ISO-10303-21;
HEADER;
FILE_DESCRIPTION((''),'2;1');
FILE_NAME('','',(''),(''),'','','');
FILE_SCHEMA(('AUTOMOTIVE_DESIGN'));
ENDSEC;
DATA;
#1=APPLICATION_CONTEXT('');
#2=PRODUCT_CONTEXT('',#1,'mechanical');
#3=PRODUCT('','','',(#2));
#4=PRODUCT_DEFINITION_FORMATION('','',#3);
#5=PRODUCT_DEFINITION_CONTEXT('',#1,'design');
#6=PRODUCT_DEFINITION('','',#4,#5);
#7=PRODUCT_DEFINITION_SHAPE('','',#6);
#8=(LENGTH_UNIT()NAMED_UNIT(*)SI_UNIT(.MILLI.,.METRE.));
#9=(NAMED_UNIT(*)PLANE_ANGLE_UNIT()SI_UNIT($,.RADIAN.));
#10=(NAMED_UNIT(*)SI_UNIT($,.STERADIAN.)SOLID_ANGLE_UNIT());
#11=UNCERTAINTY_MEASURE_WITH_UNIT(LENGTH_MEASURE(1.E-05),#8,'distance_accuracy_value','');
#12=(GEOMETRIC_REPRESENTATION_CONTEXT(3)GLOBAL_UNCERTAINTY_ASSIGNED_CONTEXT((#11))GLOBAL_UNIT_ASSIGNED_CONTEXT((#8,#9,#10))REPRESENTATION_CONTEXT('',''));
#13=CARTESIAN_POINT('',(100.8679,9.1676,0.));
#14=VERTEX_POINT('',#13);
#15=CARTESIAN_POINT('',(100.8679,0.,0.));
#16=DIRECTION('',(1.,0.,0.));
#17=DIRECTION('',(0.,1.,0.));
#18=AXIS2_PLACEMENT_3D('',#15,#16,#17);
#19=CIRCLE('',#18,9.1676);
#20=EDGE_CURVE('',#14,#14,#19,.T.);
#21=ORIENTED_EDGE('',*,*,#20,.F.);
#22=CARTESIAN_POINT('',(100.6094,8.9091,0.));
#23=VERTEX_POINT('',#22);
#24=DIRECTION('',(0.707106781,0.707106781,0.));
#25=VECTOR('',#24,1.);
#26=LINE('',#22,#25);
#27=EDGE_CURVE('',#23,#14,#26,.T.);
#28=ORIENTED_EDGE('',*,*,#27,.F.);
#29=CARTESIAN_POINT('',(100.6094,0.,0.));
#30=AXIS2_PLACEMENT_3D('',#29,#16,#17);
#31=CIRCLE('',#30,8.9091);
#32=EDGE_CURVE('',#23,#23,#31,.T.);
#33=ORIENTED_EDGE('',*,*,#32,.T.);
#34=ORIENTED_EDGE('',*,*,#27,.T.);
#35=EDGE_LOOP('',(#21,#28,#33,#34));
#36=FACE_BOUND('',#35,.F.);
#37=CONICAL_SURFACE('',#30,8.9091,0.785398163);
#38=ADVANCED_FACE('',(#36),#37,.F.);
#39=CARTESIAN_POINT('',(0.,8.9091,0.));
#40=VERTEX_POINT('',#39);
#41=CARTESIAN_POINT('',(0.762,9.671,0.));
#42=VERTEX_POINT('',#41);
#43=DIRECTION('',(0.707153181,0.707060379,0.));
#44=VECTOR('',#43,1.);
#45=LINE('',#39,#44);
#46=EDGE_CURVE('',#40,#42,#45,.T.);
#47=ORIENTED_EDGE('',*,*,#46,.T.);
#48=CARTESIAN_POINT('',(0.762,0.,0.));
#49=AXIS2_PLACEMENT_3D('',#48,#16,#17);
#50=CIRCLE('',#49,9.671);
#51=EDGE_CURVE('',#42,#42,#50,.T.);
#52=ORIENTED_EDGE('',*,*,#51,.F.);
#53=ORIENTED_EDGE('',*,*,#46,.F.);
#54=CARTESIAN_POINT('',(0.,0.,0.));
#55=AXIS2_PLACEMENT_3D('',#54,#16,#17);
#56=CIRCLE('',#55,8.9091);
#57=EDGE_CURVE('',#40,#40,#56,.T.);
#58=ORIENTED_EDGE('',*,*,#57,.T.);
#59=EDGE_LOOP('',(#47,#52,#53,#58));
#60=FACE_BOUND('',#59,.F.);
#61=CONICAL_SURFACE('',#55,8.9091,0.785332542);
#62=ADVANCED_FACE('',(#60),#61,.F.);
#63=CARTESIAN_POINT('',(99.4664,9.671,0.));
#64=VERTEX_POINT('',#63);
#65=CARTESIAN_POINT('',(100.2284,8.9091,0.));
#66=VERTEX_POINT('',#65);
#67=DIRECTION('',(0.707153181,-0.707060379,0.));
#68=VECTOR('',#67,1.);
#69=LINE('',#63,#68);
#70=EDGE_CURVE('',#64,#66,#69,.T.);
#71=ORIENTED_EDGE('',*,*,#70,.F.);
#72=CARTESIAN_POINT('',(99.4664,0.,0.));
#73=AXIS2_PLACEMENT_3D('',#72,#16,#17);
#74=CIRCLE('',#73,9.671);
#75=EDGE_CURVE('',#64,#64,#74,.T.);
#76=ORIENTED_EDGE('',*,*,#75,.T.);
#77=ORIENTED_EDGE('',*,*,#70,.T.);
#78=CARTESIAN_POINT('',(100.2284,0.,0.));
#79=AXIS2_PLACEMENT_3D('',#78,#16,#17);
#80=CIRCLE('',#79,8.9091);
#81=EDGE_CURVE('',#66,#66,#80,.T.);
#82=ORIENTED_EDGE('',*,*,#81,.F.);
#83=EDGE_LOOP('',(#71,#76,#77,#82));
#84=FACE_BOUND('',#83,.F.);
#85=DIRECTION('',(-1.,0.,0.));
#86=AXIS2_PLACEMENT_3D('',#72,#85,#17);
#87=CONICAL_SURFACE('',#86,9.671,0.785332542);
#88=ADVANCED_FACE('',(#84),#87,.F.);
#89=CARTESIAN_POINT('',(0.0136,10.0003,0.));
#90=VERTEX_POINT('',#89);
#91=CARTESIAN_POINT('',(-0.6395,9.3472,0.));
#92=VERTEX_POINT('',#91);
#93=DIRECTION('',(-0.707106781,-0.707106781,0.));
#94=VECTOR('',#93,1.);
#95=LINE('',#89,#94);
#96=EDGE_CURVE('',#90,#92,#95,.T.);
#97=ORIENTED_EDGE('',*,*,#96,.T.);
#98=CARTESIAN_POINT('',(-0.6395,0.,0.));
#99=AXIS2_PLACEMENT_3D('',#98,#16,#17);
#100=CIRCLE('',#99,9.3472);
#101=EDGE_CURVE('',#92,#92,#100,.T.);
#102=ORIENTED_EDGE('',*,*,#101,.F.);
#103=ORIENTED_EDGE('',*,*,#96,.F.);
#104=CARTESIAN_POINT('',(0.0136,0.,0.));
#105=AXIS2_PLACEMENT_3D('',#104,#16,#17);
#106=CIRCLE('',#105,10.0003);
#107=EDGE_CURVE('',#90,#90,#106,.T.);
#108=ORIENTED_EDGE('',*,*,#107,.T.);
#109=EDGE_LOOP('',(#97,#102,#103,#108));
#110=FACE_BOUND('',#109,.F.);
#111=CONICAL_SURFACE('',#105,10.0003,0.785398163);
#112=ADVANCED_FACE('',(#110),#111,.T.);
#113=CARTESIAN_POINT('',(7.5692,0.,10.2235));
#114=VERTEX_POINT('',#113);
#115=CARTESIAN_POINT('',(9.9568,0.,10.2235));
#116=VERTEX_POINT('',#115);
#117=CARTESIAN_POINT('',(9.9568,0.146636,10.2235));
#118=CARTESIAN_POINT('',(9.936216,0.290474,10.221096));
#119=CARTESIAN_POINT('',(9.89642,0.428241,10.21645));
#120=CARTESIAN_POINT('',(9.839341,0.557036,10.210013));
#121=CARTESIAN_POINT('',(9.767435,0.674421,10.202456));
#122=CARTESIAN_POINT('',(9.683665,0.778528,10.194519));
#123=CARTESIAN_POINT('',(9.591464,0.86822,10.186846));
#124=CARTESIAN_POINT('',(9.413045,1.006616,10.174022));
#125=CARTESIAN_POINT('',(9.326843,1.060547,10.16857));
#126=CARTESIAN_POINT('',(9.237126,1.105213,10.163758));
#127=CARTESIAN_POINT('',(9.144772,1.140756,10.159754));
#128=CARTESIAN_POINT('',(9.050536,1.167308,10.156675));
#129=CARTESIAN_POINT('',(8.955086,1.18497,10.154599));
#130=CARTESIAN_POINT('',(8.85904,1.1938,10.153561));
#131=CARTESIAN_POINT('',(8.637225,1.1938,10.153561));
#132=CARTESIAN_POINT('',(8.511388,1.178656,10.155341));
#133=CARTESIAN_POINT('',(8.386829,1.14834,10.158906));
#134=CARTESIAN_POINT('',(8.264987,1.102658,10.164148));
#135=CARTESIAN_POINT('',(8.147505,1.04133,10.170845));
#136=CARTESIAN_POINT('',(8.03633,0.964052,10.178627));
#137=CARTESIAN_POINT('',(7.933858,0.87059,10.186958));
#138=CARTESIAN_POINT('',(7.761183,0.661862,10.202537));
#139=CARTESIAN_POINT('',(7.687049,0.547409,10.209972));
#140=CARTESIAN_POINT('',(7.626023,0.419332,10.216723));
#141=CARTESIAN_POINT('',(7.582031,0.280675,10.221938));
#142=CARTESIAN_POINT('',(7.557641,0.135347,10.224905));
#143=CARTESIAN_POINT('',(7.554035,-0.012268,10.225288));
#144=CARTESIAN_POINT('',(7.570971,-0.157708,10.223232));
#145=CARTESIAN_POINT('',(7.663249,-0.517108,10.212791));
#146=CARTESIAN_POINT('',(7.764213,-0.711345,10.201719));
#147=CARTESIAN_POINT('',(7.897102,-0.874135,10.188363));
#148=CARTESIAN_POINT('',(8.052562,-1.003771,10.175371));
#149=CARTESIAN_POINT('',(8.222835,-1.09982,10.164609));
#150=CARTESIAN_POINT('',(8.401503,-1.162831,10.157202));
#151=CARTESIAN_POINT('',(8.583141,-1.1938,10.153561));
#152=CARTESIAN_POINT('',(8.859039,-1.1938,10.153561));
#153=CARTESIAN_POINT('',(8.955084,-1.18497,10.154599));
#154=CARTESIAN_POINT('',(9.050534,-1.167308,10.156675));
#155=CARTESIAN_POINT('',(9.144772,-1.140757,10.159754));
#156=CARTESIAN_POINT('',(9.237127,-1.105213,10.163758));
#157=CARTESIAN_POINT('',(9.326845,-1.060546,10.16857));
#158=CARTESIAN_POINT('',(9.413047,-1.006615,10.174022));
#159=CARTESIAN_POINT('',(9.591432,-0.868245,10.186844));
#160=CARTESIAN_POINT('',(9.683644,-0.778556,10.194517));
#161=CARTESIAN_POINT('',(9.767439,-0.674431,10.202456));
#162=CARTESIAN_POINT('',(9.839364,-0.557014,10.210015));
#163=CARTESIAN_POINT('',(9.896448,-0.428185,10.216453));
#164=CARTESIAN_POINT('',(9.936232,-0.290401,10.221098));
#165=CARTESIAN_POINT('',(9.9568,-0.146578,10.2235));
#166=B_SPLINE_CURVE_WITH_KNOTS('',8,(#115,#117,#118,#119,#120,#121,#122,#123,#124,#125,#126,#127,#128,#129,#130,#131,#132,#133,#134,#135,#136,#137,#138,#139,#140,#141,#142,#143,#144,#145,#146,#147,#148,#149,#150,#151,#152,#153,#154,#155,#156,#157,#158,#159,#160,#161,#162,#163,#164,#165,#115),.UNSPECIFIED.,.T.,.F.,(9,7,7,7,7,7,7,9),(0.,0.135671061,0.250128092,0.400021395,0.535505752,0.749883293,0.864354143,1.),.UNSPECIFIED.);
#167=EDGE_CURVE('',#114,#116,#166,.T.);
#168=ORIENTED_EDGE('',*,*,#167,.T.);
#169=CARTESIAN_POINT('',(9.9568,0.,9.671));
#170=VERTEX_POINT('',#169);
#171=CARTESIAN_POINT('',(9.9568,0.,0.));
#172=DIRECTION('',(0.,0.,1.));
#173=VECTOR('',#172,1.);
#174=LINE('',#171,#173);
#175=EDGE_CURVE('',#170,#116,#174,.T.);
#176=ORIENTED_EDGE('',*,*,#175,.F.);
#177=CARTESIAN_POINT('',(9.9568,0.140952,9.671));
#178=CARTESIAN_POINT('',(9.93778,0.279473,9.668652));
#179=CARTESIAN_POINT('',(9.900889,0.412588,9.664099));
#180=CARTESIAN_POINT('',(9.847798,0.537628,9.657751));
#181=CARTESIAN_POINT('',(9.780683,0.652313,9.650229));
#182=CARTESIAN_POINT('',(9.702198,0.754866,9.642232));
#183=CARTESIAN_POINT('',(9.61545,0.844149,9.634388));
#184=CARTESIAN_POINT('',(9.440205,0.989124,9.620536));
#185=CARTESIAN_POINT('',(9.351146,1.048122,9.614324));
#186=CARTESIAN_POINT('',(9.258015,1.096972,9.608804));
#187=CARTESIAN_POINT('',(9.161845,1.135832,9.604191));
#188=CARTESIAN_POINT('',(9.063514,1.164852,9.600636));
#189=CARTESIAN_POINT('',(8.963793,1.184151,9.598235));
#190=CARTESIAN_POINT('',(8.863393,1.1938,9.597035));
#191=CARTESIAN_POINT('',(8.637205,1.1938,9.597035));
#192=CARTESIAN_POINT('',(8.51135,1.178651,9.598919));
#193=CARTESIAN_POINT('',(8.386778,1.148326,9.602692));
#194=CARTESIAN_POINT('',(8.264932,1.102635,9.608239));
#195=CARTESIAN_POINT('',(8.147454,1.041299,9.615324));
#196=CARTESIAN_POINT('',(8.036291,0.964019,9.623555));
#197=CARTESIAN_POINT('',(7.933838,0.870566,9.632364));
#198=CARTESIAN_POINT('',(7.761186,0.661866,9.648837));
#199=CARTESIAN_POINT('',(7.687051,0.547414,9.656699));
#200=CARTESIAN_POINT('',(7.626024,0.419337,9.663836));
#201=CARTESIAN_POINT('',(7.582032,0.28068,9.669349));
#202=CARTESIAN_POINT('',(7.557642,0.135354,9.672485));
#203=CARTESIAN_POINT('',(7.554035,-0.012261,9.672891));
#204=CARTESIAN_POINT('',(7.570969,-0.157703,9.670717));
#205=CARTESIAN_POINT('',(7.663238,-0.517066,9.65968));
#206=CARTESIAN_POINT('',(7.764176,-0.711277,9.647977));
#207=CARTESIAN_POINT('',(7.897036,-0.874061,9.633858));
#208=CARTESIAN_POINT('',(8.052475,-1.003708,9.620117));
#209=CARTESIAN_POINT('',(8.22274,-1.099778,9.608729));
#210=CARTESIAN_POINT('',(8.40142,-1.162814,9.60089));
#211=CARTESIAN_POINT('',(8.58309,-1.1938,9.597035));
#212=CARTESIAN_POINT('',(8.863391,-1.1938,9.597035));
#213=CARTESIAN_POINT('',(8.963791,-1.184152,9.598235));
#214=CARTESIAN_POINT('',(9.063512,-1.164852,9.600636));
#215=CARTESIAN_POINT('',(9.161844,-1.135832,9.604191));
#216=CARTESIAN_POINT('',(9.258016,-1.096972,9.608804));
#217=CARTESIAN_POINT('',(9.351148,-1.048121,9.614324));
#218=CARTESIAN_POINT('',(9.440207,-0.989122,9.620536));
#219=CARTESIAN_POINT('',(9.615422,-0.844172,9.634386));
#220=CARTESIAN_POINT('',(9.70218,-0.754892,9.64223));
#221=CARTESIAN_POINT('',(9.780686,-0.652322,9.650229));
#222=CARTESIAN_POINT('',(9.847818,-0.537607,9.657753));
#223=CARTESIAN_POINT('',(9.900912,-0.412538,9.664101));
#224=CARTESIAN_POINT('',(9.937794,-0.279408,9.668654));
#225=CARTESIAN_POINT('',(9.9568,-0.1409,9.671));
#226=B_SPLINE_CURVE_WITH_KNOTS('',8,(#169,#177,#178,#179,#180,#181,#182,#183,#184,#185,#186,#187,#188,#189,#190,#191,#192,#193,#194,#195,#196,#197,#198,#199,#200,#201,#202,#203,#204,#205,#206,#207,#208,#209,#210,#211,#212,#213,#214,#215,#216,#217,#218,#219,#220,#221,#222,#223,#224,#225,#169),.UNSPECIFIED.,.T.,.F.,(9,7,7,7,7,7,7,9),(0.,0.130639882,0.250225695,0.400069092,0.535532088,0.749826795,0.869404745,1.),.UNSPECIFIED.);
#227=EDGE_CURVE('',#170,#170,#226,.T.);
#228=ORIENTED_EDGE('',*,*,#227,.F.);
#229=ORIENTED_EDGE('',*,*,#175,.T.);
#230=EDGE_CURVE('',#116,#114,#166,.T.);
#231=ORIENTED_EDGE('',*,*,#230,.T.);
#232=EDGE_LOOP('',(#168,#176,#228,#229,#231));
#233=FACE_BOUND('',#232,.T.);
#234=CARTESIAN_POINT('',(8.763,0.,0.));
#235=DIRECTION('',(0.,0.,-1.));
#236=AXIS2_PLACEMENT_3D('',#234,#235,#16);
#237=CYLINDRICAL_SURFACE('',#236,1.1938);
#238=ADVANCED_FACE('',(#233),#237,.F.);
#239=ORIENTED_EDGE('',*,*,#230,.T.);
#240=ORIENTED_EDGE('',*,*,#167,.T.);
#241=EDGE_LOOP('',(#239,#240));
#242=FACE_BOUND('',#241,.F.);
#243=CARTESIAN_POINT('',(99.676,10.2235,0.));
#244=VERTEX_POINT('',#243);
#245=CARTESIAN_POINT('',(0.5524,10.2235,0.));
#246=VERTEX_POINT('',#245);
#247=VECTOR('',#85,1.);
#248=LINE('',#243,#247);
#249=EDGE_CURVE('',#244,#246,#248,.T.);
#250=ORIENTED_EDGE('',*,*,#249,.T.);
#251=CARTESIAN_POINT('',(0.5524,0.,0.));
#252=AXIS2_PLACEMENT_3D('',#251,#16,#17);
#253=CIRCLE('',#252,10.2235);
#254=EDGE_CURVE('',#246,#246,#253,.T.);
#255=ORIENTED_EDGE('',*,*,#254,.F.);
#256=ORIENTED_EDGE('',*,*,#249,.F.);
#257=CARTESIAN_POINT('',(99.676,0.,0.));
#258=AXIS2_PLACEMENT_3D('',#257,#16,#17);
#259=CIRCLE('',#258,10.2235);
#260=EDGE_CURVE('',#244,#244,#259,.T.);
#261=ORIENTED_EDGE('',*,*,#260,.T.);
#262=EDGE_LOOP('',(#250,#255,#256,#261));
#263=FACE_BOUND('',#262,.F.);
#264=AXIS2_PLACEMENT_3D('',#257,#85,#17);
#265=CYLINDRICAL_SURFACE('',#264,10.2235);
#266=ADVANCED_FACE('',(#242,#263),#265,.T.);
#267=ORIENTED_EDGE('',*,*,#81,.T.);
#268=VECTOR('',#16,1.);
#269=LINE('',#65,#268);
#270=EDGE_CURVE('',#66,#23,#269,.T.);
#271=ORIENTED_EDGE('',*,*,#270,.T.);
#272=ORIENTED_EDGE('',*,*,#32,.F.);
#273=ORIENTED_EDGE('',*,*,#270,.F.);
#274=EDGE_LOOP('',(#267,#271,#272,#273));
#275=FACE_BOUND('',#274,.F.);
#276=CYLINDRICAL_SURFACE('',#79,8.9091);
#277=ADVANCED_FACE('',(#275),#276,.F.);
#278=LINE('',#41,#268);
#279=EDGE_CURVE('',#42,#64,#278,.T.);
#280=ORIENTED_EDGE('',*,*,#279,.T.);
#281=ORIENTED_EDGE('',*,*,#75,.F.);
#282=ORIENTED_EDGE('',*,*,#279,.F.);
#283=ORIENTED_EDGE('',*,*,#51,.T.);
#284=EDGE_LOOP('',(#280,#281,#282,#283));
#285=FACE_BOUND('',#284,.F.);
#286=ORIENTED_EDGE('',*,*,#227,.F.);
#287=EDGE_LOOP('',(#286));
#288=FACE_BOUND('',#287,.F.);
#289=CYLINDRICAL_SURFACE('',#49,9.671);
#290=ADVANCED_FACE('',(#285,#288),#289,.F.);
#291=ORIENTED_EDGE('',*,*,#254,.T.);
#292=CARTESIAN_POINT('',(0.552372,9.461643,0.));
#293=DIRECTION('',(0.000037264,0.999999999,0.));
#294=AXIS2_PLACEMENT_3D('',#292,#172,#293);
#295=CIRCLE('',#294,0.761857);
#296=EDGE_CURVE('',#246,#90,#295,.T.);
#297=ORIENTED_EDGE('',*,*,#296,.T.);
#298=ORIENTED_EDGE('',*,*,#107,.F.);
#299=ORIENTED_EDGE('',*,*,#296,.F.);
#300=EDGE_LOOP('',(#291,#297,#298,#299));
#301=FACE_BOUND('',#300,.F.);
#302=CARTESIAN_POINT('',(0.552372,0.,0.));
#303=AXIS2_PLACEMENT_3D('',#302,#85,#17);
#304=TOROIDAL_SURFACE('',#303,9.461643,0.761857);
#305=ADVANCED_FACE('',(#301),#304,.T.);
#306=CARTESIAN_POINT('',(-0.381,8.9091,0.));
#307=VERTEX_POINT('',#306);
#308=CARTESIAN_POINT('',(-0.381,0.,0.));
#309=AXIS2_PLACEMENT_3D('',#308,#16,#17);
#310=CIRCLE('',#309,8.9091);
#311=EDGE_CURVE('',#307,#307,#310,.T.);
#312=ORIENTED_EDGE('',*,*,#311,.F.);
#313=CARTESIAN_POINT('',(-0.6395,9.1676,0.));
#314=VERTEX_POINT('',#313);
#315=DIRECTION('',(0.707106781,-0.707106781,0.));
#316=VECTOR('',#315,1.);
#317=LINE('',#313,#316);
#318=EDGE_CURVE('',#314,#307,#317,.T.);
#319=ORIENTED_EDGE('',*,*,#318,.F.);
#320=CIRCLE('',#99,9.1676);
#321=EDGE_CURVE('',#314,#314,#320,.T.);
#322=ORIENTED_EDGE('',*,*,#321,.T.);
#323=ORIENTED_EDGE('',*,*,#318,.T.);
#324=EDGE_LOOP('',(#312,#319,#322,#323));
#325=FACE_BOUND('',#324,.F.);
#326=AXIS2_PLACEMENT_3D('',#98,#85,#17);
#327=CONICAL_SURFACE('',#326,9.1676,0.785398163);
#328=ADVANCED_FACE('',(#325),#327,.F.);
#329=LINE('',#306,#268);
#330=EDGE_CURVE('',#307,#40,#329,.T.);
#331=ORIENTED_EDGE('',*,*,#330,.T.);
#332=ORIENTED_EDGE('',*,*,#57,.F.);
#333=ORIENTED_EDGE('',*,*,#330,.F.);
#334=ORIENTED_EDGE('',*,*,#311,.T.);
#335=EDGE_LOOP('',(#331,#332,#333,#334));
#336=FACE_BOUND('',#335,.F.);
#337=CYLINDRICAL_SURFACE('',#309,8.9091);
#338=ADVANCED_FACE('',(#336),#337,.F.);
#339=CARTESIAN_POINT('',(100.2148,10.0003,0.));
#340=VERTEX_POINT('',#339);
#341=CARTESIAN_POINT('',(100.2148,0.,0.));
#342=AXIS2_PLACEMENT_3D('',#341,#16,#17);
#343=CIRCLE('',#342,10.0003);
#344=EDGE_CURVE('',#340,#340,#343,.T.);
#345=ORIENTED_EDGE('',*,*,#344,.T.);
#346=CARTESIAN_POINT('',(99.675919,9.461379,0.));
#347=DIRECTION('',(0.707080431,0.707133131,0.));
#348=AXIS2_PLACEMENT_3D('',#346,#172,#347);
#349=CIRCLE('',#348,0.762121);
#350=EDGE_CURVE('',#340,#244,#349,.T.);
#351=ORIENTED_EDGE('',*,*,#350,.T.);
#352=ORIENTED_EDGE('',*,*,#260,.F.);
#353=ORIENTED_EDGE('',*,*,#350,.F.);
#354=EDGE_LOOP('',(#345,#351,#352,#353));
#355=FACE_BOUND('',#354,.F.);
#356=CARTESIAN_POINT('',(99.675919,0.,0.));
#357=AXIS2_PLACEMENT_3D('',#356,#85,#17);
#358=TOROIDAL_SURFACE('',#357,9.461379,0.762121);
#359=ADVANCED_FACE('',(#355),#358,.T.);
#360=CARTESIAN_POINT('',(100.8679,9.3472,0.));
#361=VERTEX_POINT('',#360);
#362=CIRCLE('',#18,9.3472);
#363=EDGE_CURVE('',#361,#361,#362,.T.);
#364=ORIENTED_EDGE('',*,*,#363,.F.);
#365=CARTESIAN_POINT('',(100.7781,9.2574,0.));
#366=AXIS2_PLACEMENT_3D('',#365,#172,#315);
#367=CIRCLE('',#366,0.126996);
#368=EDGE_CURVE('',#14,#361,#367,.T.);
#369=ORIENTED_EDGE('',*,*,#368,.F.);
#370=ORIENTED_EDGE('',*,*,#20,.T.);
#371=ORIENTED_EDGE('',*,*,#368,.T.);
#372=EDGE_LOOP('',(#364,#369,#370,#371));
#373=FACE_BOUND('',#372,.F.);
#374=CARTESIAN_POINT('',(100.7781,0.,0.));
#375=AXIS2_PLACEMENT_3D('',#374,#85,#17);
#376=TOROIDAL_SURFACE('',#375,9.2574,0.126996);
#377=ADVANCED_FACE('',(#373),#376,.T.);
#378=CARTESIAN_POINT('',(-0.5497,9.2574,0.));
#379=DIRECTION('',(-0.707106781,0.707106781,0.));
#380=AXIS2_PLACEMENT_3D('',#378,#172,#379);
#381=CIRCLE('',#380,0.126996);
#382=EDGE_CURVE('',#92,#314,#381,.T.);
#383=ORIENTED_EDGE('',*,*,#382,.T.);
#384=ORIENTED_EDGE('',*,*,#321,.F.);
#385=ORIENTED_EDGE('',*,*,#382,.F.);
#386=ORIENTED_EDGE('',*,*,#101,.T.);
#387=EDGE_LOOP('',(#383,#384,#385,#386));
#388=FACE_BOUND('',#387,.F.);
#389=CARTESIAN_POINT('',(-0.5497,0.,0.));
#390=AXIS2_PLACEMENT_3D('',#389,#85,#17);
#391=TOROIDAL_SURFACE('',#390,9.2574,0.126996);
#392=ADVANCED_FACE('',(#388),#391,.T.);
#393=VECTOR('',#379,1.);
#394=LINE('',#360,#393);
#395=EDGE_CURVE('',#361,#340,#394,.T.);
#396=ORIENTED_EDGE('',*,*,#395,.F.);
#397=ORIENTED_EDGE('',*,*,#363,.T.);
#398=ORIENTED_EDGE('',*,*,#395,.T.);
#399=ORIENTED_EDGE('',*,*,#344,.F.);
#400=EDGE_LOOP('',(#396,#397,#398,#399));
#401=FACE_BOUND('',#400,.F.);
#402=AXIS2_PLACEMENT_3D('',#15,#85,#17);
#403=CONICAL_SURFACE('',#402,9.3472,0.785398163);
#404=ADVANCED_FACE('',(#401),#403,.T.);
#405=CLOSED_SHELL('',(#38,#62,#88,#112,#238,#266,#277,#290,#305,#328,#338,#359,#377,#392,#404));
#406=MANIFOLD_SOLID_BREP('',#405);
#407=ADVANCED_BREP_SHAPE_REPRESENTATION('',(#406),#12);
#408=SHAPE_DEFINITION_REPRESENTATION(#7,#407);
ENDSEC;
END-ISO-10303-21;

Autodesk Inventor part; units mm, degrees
sketch "Sketch_1" plane through (0, 0, 0) normal (0, 0, 1) x (1, 0, 0)
  line L0 (100.2284, 0) -> (0, 0)
  arc A0 (-0.6395, 9.3472) -> (-0.6395, 9.1676) centre (-0.5497, 9.2574) ccw
  line L1 (-0.6395, 9.1676) -> (-0.381, 8.9091)
  line L2 (-0.381, 8.9091) -> (0, 8.9091)
  line L3 (0, 8.9091) -> (0.762, 9.671)
  line L4 (0.762, 9.671) -> (99.4664, 9.671)
  line L5 (99.4664, 9.671) -> (100.2284, 8.9091)
  line L6 (100.2284, 8.9091) -> (100.6094, 8.9091)
  line L7 (100.6094, 8.9091) -> (100.8679, 9.1676)
  arc A1 (100.8679, 9.1676) -> (100.8679, 9.3472) centre (100.7781, 9.2574) ccw
  line L8 (100.8679, 9.3472) -> (100.2148, 10.0003)
  arc A2 (100.2148, 10.0003) -> (99.676, 10.2235) centre (99.676, 9.4615) ccw
  line L9 (99.676, 10.2235) -> (0.5524, 10.2235)
  arc A3 (0.5524, 10.2235) -> (0.0136, 10.0003) centre (0.5524, 9.4615) ccw
  line L10 (0.0136, 10.0003) -> (-0.6395, 9.3472)
revolve "Revolution1" add sketch "Sketch_1" angle 360 about axis through (100.2284, 0, 0) along (1, 0, 0)
sketch "Sketch_4" plane through (0, 0, 0) normal (0, 0, 1) x (1, 0, 0)
  circle A0 centre (8.763, 0) radius 1.1938
extrude "Extrusion1" cut sketch "Sketch_4" along normal blind 10.2235
ref_plane "cp1_XY" through (50.1142, 10.2235, 0) normal (1, 0, 0) x (0, 0, -1)
ref_plane "cp1_YZ" through (50.1142, 10.2235, 0) normal (0, 0, -1) x (0, 1, 0)
ref_plane "cp1_ZX" through (50.1142, 10.2235, 0) normal (0, 1, 0) x (1, 0, 0)
ref_plane "cp2_XY" through (50.1142, 0, -10.2235) normal (1, 0, 0) x (0, 0, -1)
ref_plane "cp2_YZ" through (50.1142, 0, -10.2235) normal (0, 0, -1) x (0, 1, 0)
ref_plane "cp2_ZX" through (50.1142, 0, -10.2235) normal (0, 1, 0) x (1, 0, 0)
ref_plane "cp3_XY" through (50.1142, -10.2235, 0) normal (1, 0, 0) x (0, 0, -1)
ref_plane "cp3_YZ" through (50.1142, -10.2235, 0) normal (0, 0, -1) x (0, 1, 0)
ref_plane "cp3_ZX" through (50.1142, -10.2235, 0) normal (0, 1, 0) x (1, 0, 0)
ref_plane "cp4_XY" through (50.1142, 0, 10.2235) normal (1, 0, 0) x (0, 0, -1)
ref_plane "cp4_YZ" through (50.1142, 0, 10.2235) normal (0, 0, -1) x (0, 1, 0)
ref_plane "cp4_ZX" through (50.1142, 0, 10.2235) normal (0, 1, 0) x (1, 0, 0)
ref_plane "tube_front_XY" through (0, 0, 0) normal (1, 0, 0) x (0, 0, -1)
ref_plane "tube_front_YZ" through (0, 0, 0) normal (0, 0, -1) x (0, 1, 0)
ref_plane "tube_front_ZX" through (0, 0, 0) normal (0, 1, 0) x (1, 0, 0)
ref_plane "tube_rear_XY" through (100.2284, 0, 0) normal (1, 0, 0) x (0, 0, -1)
ref_plane "tube_rear_YZ" through (100.2284, 0, 0) normal (0, 0, -1) x (0, 1, 0)
ref_plane "tube_rear_ZX" through (100.2284, 0, 0) normal (0, 1, 0) x (1, 0, 0)
properties part number "04-3.9462C"
